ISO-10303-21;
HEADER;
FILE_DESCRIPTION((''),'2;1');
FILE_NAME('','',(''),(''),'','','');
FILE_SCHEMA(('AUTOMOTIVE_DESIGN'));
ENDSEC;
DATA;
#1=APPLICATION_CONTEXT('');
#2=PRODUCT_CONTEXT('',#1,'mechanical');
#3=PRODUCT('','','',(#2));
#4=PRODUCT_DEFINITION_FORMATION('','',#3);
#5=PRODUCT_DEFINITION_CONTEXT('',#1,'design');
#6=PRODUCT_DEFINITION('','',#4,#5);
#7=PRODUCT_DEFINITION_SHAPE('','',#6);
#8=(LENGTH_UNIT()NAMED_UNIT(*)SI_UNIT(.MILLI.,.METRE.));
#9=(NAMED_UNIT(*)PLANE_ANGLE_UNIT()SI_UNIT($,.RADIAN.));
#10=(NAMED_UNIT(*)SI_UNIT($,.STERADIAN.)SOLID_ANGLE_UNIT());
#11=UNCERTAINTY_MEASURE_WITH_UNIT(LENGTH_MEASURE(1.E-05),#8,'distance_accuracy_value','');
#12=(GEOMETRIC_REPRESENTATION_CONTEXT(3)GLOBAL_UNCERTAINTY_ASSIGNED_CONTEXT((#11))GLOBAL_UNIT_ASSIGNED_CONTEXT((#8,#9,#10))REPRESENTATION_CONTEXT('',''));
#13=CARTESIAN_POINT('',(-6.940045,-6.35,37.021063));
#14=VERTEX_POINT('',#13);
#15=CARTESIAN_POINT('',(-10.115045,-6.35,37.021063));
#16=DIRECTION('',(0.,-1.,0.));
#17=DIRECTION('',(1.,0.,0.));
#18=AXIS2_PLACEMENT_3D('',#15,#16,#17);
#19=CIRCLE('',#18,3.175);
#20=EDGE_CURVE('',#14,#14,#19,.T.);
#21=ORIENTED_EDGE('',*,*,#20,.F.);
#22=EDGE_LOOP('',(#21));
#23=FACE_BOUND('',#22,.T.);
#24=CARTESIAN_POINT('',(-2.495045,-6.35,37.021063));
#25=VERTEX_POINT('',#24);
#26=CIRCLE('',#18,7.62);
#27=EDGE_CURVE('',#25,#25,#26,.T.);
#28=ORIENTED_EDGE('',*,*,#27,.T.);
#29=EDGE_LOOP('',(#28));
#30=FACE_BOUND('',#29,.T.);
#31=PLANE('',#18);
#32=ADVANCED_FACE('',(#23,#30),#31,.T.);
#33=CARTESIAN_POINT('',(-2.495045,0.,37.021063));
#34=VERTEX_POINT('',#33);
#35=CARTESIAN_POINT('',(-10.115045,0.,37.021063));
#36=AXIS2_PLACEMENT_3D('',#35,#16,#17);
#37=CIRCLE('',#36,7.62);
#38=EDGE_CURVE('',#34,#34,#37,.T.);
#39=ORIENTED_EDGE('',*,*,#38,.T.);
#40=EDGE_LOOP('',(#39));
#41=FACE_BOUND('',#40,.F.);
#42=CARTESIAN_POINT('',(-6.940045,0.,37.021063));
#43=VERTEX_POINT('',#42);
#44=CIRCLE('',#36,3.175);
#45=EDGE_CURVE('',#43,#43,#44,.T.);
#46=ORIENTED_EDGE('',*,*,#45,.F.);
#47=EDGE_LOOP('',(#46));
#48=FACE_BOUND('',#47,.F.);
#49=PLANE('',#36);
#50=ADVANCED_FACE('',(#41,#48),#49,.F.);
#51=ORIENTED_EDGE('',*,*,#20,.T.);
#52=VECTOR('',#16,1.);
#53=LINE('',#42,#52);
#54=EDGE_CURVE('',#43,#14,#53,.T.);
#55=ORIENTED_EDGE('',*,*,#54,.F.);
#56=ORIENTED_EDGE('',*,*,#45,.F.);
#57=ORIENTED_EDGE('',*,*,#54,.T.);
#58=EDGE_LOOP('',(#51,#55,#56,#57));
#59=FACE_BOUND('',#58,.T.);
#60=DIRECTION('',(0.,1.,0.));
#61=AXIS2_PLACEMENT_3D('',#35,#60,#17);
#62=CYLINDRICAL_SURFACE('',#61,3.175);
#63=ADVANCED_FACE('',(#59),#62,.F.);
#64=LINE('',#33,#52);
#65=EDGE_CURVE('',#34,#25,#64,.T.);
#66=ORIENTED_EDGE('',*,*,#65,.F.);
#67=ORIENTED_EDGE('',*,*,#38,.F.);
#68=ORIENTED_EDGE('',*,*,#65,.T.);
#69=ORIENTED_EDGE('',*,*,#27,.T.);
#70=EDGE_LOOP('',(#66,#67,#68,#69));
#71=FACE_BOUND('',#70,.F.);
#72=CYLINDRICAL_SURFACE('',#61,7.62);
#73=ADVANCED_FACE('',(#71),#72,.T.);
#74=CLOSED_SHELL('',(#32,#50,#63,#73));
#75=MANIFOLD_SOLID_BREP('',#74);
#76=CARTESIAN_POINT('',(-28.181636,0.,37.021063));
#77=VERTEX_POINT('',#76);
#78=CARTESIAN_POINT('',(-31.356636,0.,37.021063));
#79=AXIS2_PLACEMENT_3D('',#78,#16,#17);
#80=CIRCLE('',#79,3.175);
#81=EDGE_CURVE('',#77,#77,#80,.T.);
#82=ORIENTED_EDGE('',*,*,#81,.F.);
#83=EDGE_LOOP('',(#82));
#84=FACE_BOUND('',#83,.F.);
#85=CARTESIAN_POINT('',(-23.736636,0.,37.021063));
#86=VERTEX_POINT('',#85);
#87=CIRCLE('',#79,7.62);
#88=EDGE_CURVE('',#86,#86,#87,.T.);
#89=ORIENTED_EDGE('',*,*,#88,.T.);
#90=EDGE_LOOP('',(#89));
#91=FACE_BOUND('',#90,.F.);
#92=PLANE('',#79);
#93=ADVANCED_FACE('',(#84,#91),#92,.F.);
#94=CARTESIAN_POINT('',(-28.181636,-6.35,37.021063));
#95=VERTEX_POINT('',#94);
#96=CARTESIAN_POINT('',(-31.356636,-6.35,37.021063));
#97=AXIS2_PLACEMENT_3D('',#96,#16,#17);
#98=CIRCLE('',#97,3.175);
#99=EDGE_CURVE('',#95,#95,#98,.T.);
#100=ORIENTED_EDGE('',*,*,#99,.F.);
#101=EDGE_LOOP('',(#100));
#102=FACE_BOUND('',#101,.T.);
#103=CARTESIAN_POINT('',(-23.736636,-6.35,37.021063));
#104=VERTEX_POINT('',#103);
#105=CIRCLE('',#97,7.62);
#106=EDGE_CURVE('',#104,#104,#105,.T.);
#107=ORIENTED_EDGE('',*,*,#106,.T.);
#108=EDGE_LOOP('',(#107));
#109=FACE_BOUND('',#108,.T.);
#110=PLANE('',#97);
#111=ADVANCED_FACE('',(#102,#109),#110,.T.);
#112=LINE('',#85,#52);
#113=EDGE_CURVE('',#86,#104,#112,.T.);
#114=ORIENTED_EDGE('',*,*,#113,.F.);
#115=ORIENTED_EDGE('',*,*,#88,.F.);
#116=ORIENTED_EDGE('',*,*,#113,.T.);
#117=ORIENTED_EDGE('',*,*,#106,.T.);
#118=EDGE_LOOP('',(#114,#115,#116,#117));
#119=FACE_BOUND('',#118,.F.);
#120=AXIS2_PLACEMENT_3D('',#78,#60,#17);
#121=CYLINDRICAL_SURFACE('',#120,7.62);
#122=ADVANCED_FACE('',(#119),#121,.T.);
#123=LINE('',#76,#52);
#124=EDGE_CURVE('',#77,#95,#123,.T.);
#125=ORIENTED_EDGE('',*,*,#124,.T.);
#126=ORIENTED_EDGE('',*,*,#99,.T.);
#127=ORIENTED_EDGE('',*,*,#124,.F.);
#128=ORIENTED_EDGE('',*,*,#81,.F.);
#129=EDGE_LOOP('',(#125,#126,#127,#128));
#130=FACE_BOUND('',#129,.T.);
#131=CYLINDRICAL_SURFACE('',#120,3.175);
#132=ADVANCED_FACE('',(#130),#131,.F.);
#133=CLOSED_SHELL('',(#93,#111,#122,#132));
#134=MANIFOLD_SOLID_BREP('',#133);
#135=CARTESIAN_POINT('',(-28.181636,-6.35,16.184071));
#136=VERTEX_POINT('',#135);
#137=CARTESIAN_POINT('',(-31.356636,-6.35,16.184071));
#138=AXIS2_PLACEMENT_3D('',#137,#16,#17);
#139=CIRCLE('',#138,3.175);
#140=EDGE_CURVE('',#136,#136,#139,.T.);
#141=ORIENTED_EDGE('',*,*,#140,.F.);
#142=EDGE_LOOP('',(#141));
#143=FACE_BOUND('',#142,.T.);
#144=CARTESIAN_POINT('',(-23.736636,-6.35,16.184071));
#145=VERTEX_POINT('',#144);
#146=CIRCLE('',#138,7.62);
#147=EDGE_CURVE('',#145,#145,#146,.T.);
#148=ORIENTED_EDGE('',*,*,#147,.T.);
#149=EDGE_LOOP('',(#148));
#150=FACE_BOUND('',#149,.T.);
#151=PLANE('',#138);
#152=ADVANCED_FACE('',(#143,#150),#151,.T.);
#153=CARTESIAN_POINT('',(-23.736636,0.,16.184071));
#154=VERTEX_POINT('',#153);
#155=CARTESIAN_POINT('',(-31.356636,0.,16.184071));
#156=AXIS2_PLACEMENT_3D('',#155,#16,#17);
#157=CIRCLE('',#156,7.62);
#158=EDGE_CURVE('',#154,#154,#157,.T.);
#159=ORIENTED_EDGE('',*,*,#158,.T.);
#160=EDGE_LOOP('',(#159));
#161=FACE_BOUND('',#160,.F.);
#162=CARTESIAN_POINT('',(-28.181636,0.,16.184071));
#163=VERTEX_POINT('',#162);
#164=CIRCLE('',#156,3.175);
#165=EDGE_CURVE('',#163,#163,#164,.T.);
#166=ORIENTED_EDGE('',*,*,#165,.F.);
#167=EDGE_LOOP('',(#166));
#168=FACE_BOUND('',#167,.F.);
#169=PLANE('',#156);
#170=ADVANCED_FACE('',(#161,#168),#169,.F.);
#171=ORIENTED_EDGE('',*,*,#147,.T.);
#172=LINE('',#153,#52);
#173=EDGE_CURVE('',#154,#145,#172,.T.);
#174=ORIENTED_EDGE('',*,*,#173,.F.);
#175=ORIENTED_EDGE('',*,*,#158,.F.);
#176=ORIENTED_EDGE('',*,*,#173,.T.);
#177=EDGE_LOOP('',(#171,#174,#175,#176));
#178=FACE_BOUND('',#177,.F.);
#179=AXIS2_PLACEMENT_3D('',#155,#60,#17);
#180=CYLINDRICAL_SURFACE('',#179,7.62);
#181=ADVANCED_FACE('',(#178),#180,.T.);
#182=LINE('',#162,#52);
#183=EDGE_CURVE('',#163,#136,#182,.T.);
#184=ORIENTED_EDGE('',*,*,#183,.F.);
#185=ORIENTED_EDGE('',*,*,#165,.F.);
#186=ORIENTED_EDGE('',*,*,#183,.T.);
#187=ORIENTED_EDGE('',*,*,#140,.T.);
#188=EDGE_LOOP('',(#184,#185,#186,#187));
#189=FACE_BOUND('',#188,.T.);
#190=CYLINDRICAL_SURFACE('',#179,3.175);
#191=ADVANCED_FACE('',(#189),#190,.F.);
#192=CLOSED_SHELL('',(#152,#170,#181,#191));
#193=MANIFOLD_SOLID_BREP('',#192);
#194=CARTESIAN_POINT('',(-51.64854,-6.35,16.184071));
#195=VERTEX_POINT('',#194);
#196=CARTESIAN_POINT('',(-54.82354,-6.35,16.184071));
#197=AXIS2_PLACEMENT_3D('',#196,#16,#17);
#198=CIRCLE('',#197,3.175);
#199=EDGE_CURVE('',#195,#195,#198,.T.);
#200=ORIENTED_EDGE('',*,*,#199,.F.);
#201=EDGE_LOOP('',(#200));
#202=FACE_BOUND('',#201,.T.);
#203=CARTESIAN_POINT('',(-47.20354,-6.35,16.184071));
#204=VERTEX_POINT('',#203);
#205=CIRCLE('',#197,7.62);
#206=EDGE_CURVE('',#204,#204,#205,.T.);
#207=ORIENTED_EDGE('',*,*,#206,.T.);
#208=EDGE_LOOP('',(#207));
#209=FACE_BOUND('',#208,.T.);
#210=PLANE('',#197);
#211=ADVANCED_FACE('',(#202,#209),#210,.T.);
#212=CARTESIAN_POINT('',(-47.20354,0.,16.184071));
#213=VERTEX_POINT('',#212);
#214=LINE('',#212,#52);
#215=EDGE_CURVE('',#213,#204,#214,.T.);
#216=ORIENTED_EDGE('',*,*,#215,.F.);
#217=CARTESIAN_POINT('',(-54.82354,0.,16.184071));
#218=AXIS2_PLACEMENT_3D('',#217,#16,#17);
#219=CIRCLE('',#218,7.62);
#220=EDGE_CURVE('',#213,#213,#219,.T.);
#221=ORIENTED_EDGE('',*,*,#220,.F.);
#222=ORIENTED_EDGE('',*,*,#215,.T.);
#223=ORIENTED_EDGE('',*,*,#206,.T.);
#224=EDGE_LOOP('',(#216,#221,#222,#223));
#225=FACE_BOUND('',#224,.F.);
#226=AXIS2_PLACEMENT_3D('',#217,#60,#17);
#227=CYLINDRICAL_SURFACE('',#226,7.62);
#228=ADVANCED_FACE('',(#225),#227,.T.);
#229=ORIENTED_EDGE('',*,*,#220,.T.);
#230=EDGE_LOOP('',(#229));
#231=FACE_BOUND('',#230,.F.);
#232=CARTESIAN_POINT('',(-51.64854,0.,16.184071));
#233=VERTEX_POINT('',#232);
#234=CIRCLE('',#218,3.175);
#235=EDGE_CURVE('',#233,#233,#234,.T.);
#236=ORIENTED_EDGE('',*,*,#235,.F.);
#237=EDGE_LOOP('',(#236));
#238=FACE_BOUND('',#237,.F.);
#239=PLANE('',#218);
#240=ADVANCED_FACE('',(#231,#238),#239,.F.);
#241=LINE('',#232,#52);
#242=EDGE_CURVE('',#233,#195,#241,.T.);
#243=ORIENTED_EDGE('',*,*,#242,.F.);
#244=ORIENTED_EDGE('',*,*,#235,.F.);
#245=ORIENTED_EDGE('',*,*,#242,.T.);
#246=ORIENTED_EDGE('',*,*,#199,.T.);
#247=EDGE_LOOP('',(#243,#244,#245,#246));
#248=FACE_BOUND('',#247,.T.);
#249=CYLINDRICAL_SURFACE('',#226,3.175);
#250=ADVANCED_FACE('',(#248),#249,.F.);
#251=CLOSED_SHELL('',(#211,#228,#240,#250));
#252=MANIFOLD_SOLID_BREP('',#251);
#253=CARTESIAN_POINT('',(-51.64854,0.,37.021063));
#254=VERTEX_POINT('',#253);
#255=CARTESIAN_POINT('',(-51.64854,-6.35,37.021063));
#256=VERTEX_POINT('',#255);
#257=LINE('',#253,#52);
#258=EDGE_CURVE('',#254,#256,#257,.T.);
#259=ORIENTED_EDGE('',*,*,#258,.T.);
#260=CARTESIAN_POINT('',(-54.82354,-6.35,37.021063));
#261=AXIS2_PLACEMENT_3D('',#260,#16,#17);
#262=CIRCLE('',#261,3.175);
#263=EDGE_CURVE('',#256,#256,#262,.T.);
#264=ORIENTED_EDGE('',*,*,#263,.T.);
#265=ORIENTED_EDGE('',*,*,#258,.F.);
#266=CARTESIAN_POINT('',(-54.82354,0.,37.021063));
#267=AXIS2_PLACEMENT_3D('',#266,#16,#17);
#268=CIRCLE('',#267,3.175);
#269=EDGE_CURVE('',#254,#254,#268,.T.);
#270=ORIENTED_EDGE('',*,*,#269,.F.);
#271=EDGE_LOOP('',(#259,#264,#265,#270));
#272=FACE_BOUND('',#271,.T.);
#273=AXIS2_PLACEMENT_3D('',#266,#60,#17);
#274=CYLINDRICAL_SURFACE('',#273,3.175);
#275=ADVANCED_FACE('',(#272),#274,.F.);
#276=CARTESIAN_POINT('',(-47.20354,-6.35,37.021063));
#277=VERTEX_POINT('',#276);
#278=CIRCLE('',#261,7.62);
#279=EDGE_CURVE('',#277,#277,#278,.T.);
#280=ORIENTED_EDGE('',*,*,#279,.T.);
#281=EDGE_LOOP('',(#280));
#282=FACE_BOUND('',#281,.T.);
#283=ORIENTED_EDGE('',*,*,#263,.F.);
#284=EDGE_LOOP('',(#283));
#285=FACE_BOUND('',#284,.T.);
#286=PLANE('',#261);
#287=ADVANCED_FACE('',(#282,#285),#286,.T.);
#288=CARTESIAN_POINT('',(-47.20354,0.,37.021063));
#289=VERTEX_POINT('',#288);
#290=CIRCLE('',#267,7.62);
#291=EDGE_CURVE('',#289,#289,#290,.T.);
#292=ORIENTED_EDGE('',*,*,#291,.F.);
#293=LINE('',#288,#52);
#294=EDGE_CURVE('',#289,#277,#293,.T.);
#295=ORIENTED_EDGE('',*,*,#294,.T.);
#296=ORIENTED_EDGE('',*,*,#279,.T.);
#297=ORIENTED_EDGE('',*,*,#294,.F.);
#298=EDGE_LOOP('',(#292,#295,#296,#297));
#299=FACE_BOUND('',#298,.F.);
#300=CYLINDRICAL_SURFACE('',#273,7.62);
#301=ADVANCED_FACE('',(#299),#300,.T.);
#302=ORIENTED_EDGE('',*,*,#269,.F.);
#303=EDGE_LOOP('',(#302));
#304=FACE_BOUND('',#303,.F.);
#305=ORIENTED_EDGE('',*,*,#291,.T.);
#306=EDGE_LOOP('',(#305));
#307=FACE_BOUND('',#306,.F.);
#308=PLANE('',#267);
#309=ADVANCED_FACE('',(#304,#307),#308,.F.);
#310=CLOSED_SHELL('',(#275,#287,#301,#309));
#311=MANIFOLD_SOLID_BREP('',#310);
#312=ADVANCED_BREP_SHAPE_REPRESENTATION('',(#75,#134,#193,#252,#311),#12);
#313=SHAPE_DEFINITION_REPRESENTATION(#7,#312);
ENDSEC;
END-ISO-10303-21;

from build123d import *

# Parameters (mm, degrees)
F0_R     = 7.62
F0_R_2   = 3.175
F1_DEPTH = 6.35


with BuildPart() as f1:
    # F0 (on Front) → F1 (new body)
    with BuildSketch(Plane.XZ):
        with Locations((-54.82354, 37.021063)):
            Circle(F0_R)
        with Locations((-54.82354, 37.021063)):
            Circle(F0_R_2, mode=Mode.SUBTRACT)
        with Locations((-31.356636, 37.021063)):
            Circle(F0_R)
        with Locations((-31.356636, 37.021063)):
            Circle(F0_R_2, mode=Mode.SUBTRACT)
        with Locations((-10.115045, 37.021063)):
            Circle(F0_R)
        with Locations((-10.115045, 37.021063)):
            Circle(F0_R_2, mode=Mode.SUBTRACT)
        with Locations((-54.82354, 16.184071)):
            Circle(F0_R)
        with Locations((-54.82354, 16.184071)):
            Circle(F0_R_2, mode=Mode.SUBTRACT)
        with Locations((-31.356636, 16.184071)):
            Circle(F0_R)
        with Locations((-31.356636, 16.184071)):
            Circle(F0_R_2, mode=Mode.SUBTRACT)
    extrude(amount=F1_DEPTH)


solid = f1.part
